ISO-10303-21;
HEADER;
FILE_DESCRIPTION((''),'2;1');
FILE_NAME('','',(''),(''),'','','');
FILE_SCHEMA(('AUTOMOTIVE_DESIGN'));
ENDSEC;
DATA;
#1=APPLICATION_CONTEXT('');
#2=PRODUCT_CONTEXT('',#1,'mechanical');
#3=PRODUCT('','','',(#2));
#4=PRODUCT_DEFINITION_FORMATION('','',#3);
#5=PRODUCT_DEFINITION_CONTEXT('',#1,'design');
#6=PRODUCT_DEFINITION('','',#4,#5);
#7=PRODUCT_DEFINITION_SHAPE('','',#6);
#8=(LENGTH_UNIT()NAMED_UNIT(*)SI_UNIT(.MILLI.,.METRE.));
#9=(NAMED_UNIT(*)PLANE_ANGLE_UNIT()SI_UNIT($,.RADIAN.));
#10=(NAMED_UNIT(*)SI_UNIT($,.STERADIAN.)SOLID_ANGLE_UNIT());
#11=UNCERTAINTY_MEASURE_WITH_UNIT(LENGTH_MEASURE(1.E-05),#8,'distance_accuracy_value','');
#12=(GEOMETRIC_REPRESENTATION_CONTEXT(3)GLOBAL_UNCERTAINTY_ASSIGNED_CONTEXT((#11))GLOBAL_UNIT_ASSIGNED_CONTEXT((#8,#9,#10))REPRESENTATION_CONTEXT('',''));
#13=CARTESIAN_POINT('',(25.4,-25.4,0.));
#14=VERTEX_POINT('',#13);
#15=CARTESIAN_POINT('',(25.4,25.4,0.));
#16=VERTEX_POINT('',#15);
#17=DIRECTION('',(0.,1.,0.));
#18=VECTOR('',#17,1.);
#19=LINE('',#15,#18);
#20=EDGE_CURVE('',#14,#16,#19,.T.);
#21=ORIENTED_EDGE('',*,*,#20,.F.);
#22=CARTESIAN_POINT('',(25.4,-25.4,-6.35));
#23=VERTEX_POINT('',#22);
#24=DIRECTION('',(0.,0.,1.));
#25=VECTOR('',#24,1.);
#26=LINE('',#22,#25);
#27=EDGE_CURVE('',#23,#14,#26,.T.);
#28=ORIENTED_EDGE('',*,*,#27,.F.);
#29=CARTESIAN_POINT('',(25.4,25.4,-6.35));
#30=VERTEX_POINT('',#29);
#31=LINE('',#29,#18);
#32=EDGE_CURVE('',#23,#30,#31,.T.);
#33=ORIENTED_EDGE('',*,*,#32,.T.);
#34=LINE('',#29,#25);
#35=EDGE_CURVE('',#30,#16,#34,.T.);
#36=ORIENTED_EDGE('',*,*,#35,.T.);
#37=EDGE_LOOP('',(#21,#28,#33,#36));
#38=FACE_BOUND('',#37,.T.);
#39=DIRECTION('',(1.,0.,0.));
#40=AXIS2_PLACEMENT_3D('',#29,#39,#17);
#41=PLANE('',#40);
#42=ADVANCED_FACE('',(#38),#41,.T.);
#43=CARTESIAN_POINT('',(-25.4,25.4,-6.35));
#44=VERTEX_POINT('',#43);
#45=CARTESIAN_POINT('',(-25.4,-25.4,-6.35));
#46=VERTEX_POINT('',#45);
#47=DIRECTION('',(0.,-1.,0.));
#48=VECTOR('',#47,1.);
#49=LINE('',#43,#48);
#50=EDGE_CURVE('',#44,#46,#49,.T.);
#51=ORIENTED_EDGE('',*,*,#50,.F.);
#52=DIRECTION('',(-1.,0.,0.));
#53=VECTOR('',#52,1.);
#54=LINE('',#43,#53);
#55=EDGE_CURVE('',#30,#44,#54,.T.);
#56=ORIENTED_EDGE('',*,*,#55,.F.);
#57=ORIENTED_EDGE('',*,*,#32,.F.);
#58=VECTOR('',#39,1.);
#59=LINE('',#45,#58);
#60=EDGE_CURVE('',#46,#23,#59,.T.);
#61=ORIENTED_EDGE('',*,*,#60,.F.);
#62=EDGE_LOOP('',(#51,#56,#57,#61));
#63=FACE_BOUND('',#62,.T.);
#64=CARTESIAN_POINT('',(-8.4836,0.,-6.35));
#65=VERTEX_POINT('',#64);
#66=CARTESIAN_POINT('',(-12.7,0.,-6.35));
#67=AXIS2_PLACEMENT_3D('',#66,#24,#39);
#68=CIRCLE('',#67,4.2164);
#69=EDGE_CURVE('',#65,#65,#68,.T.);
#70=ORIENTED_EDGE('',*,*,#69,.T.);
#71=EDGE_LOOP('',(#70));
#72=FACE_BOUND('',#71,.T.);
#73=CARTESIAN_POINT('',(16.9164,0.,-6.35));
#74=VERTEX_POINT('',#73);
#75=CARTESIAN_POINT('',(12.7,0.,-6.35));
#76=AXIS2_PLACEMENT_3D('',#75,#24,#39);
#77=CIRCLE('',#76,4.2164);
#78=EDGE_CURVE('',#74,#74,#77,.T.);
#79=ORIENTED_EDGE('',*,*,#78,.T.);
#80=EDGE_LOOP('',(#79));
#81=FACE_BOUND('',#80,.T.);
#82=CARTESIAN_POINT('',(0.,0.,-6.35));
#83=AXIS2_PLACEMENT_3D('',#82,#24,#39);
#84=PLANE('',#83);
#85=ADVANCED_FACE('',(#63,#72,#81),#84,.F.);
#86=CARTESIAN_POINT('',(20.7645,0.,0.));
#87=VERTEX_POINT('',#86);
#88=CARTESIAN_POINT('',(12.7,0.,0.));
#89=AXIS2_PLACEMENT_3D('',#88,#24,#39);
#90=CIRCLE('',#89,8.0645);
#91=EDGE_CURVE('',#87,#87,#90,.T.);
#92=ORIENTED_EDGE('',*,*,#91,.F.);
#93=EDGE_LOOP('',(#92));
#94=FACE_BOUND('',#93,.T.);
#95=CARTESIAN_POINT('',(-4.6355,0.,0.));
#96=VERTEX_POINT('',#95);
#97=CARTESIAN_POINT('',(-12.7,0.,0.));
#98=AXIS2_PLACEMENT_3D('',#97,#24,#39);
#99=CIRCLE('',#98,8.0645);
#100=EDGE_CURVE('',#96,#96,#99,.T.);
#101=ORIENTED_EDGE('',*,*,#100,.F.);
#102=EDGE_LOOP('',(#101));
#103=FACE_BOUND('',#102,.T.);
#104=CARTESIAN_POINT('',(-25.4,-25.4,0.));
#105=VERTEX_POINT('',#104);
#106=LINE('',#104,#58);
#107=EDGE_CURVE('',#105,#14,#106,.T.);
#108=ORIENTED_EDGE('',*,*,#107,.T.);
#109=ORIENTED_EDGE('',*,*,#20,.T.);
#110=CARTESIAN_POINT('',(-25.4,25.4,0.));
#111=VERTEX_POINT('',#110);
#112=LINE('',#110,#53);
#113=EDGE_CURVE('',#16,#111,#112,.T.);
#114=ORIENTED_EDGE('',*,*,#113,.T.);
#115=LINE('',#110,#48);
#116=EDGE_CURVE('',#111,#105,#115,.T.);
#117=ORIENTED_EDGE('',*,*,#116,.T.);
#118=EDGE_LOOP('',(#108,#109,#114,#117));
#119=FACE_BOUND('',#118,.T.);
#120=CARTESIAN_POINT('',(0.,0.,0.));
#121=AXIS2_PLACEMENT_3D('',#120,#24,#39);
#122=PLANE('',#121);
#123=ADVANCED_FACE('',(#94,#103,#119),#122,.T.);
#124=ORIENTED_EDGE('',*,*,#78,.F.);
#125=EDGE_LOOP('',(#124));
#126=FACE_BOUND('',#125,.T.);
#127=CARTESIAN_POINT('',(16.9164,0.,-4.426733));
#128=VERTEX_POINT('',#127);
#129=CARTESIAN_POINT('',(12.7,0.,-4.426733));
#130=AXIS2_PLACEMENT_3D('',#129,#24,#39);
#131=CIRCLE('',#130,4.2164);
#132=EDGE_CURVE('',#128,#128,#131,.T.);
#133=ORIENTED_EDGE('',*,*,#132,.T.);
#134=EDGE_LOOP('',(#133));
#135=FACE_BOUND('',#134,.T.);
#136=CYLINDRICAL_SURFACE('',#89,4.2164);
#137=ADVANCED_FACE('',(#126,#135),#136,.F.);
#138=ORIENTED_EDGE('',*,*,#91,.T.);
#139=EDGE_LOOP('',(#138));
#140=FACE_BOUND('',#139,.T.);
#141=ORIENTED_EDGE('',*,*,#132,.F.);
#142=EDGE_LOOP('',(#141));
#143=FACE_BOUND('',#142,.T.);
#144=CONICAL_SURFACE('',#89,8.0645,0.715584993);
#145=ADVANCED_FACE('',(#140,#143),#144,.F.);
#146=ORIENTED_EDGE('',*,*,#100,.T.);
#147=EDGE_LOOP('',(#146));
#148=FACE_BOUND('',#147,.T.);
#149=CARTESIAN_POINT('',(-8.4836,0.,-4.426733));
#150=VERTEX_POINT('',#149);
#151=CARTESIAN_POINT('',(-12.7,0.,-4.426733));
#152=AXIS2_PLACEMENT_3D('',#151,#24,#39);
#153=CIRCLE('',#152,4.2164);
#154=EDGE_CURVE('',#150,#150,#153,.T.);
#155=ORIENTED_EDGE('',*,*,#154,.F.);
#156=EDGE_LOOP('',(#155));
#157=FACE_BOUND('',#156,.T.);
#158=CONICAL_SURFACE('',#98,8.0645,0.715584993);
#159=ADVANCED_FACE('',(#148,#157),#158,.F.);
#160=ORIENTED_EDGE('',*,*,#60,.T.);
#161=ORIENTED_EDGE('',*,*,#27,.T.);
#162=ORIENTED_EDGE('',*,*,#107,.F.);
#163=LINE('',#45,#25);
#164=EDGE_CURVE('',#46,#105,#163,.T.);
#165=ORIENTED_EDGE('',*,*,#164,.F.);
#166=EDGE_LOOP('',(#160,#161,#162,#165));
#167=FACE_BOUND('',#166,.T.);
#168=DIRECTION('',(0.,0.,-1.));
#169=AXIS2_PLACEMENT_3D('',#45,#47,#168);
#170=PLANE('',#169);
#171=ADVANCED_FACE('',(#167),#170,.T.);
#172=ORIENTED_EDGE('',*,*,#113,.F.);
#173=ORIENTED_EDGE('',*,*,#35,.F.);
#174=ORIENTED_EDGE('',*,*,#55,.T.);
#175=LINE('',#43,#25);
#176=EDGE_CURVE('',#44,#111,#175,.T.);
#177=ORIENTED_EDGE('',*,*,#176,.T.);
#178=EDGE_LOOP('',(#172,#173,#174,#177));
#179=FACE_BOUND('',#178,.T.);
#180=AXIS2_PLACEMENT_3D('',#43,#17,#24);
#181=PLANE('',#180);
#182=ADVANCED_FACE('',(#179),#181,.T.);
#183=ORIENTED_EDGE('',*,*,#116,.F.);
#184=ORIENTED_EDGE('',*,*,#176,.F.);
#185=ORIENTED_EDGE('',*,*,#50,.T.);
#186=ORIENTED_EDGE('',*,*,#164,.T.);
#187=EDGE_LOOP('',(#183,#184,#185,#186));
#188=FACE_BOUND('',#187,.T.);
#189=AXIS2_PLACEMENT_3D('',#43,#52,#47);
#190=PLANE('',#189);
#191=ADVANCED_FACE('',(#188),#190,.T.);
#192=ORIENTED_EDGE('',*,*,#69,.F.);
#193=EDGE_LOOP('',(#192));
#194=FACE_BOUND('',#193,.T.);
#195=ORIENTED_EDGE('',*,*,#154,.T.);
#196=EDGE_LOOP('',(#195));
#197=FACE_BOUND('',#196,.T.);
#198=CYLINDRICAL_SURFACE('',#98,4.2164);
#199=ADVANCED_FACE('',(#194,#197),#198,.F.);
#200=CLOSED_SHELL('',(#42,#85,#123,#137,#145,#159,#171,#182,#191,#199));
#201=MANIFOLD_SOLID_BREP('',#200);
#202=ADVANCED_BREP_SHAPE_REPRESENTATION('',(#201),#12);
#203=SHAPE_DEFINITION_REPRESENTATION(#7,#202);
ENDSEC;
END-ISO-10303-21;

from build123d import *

# Parameters (mm, degrees)
SKETCH1_W                                         = 50.8
SKETCH1_H                                         = 50.8
SKETCH1_R                                         = 3.2639
BOSS_EXTRUDE1_DEPTH                               = 6.35
CSK_FOR_5_16_FLAT_HEAD_MACHINE_SCREW1_D           = 8.4328
CSK_FOR_5_16_FLAT_HEAD_MACHINE_SCREW1_DEPTH       = 32.766
CSK_FOR_5_16_FLAT_HEAD_MACHINE_SCREW1_CSINK_D     = 16.129
CSK_FOR_5_16_FLAT_HEAD_MACHINE_SCREW1_CSINK_ANGLE = 82
CSK_FOR_5_16_FLAT_HEAD_MACHINE_SCREW1_TIP         = 2.533468714


with BuildPart() as part:
    # Sketch1 → Boss-Extrude1 (new body)
    with BuildSketch(Plane.XY):
        Rectangle(SKETCH1_W, SKETCH1_H)
        with Locations((-12.7, 0)):
            Circle(SKETCH1_R, mode=Mode.SUBTRACT)
        with Locations((12.7, 0)):
            Circle(SKETCH1_R, mode=Mode.SUBTRACT)
    extrude(amount=-BOSS_EXTRUDE1_DEPTH)

    # CSK for 5/16 Flat Head Machine Screw1
    with Locations(Plane(origin=(-12.7, 0, 0), x_dir=(1, 0, 0), z_dir=(0, 0, 1))):
        with Locations((0, 0), (25.4, 0)):
            CounterSinkHole(CSK_FOR_5_16_FLAT_HEAD_MACHINE_SCREW1_D / 2, CSK_FOR_5_16_FLAT_HEAD_MACHINE_SCREW1_CSINK_D / 2, depth=CSK_FOR_5_16_FLAT_HEAD_MACHINE_SCREW1_DEPTH, counter_sink_angle=CSK_FOR_5_16_FLAT_HEAD_MACHINE_SCREW1_CSINK_ANGLE)
            with Locations((0, 0, -(CSK_FOR_5_16_FLAT_HEAD_MACHINE_SCREW1_DEPTH + CSK_FOR_5_16_FLAT_HEAD_MACHINE_SCREW1_TIP / 2))):  # 118° drill point
                Cone(0, CSK_FOR_5_16_FLAT_HEAD_MACHINE_SCREW1_D / 2, CSK_FOR_5_16_FLAT_HEAD_MACHINE_SCREW1_TIP, mode=Mode.SUBTRACT)


solid = part.part
